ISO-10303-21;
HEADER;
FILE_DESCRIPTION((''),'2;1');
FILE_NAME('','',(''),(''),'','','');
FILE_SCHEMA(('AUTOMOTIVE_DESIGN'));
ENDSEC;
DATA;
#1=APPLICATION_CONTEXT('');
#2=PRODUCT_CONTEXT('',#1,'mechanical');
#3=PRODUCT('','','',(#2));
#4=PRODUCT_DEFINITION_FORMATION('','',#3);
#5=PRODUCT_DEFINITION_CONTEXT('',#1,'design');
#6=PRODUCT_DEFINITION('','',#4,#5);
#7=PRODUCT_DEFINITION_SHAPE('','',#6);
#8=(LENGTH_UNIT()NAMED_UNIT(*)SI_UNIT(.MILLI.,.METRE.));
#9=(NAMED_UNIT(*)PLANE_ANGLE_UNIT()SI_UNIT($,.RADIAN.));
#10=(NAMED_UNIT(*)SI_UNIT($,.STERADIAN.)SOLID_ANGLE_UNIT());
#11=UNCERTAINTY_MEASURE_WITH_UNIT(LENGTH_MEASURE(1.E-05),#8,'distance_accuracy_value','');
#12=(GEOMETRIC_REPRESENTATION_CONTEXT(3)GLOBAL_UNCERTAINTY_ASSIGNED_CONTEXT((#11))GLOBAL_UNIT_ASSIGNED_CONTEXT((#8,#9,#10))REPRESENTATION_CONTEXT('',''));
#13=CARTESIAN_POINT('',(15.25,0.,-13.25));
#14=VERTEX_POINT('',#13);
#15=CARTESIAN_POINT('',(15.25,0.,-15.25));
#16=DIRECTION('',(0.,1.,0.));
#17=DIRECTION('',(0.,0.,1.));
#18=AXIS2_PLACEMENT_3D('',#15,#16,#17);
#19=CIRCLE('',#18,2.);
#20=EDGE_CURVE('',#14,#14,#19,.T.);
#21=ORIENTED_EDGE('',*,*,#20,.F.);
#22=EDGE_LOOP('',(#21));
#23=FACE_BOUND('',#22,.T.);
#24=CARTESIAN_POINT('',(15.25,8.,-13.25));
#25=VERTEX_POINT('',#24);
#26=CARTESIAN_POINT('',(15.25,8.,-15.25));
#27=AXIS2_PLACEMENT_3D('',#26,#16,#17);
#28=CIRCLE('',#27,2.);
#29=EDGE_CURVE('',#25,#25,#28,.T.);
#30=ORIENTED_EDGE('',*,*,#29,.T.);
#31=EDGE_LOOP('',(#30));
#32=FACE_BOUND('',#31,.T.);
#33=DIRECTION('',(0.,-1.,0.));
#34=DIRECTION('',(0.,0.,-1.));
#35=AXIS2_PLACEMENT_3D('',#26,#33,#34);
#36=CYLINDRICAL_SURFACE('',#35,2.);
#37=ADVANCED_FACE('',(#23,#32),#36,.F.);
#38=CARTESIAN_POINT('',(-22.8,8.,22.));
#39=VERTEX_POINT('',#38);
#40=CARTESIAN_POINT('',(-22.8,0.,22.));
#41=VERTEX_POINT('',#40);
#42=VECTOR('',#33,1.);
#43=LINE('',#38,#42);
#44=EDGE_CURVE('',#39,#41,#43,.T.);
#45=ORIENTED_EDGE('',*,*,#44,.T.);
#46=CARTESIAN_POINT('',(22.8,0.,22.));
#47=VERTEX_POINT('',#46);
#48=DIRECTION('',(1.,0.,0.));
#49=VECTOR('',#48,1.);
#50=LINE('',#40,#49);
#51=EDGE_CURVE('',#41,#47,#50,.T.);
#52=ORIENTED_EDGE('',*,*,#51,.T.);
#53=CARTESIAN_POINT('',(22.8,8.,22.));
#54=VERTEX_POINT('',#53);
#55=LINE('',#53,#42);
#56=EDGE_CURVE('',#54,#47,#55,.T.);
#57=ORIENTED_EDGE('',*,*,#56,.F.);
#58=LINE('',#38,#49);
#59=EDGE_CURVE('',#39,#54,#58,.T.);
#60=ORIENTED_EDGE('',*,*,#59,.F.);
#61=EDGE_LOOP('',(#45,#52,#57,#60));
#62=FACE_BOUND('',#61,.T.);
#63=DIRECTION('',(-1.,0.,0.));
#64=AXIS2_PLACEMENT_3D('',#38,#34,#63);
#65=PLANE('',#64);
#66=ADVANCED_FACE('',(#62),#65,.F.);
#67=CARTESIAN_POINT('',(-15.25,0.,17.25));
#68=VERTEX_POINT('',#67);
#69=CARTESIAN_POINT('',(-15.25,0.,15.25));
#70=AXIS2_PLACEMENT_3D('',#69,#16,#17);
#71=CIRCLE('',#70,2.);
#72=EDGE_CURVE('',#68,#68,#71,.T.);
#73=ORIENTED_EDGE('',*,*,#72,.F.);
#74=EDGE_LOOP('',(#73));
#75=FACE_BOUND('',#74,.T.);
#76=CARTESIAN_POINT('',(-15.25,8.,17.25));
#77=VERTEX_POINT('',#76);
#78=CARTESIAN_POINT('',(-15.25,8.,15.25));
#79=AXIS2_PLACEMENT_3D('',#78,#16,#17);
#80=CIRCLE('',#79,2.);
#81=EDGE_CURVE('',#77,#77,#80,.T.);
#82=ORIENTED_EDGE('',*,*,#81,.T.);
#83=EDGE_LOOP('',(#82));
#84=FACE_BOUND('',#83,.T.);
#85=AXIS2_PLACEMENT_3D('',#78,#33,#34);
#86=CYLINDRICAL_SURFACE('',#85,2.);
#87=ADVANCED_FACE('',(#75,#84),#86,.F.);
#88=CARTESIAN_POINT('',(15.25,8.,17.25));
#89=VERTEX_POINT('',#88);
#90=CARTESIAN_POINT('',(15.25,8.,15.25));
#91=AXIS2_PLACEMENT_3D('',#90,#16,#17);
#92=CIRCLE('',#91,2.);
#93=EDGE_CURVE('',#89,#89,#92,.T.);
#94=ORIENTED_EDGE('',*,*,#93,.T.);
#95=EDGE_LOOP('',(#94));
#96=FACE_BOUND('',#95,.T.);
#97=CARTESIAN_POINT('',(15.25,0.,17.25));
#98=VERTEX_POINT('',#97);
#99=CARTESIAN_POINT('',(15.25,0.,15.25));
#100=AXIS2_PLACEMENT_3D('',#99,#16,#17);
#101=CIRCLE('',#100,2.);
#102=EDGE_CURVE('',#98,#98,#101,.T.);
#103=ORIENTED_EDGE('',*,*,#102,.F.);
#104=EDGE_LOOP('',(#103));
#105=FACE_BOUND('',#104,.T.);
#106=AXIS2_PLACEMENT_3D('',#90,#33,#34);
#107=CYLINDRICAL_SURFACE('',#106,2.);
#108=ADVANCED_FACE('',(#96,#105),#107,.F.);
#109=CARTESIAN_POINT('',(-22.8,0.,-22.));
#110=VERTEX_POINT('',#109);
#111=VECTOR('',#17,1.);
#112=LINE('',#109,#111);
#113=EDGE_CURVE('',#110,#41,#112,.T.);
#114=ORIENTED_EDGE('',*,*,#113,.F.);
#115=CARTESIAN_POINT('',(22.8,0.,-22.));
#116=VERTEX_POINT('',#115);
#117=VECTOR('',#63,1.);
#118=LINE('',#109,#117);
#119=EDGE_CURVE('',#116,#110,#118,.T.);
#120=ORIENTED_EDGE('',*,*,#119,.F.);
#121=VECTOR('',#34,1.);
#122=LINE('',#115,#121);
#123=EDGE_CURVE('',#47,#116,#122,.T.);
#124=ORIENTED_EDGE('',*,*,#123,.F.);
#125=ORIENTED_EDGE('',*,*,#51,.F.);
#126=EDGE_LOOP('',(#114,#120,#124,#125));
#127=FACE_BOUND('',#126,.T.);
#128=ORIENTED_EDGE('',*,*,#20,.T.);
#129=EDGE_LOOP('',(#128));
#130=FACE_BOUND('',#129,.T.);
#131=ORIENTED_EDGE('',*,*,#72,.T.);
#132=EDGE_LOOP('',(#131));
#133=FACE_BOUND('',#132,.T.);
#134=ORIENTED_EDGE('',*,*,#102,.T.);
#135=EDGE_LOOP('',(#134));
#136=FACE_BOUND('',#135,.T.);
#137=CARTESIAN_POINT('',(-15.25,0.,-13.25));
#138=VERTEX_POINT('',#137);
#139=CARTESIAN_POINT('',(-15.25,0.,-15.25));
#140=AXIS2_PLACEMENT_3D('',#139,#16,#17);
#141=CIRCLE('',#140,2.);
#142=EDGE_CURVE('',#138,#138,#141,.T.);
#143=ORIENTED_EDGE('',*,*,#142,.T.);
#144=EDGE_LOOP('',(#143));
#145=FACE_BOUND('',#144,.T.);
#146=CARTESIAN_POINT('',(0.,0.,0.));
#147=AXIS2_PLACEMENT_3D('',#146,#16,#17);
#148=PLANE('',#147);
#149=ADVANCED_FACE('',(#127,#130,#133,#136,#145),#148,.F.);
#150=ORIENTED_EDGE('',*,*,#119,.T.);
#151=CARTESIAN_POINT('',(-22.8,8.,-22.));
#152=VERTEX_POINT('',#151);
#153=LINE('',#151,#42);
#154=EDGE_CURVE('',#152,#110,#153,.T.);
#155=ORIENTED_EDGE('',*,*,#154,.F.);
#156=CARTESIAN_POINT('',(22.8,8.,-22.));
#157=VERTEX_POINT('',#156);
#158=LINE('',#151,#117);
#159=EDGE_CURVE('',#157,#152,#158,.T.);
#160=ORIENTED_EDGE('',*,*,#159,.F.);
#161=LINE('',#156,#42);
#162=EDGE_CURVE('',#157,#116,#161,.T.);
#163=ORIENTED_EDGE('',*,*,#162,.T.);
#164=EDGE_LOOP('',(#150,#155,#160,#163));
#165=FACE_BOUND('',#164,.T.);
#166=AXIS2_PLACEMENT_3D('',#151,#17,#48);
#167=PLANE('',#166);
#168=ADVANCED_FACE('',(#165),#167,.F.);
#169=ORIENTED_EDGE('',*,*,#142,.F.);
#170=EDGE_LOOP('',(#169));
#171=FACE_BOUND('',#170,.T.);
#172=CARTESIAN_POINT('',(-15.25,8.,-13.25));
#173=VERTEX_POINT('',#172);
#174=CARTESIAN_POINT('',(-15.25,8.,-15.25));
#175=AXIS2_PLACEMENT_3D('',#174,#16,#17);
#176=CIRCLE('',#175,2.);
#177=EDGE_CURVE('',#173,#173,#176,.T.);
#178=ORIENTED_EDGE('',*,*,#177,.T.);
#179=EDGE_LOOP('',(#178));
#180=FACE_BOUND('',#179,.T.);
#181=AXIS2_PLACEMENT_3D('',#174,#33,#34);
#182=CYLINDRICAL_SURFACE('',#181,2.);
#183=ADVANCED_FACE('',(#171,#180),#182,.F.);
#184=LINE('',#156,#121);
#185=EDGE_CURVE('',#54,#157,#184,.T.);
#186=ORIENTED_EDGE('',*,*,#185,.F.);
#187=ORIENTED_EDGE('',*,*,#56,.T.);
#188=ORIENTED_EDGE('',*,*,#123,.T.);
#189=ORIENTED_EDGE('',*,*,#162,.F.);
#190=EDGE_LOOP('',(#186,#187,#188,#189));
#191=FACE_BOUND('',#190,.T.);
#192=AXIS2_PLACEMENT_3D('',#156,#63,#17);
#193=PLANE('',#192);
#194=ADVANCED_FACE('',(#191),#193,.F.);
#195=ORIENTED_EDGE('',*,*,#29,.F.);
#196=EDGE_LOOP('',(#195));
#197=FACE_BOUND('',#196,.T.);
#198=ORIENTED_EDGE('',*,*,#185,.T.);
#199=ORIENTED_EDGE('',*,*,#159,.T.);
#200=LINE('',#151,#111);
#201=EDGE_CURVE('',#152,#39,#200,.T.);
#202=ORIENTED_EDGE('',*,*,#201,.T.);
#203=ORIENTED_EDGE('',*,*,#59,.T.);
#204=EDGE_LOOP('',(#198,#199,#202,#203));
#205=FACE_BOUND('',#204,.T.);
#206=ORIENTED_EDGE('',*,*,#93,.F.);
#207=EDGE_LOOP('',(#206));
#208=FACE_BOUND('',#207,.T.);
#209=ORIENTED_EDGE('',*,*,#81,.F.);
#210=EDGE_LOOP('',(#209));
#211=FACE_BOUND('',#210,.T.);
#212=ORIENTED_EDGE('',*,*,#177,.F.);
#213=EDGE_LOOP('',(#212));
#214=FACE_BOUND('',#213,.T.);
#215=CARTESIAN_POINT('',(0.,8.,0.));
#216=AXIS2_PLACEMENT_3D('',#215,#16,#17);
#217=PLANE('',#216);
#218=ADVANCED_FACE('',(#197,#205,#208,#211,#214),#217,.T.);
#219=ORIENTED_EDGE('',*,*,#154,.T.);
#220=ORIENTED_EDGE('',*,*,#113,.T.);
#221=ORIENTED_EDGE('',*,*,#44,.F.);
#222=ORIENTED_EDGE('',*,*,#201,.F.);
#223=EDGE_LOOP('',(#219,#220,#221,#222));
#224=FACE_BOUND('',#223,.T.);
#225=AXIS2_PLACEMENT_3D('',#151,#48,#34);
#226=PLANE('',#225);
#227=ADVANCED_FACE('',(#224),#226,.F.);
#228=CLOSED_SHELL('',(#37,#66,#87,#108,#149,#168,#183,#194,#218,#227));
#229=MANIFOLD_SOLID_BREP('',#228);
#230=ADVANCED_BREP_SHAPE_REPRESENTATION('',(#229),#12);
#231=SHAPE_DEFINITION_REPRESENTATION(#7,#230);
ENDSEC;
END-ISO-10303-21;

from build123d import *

# Parameters (mm, degrees)
SKETCH1_W           = 45.6
SKETCH1_H           = 44
SKETCH1_R           = 2
BOSS_EXTRUDE1_DEPTH = 8


with BuildPart() as part:
    # Sketch1 → Boss-Extrude1 (new body)
    with BuildSketch(Plane(origin=(0, 0, 0), x_dir=(1, 0, 0), z_dir=(0, 1, 0))):
        Rectangle(SKETCH1_W, SKETCH1_H)
        with Locations((15.25, 15.25)):
            Circle(SKETCH1_R, mode=Mode.SUBTRACT)
        with Locations((-15.25, -15.25)):
            Circle(SKETCH1_R, mode=Mode.SUBTRACT)
        with Locations((-15.25, 15.25)):
            Circle(SKETCH1_R, mode=Mode.SUBTRACT)
        with Locations((15.25, -15.25)):
            Circle(SKETCH1_R, mode=Mode.SUBTRACT)
    extrude(amount=BOSS_EXTRUDE1_DEPTH)


solid = part.part
